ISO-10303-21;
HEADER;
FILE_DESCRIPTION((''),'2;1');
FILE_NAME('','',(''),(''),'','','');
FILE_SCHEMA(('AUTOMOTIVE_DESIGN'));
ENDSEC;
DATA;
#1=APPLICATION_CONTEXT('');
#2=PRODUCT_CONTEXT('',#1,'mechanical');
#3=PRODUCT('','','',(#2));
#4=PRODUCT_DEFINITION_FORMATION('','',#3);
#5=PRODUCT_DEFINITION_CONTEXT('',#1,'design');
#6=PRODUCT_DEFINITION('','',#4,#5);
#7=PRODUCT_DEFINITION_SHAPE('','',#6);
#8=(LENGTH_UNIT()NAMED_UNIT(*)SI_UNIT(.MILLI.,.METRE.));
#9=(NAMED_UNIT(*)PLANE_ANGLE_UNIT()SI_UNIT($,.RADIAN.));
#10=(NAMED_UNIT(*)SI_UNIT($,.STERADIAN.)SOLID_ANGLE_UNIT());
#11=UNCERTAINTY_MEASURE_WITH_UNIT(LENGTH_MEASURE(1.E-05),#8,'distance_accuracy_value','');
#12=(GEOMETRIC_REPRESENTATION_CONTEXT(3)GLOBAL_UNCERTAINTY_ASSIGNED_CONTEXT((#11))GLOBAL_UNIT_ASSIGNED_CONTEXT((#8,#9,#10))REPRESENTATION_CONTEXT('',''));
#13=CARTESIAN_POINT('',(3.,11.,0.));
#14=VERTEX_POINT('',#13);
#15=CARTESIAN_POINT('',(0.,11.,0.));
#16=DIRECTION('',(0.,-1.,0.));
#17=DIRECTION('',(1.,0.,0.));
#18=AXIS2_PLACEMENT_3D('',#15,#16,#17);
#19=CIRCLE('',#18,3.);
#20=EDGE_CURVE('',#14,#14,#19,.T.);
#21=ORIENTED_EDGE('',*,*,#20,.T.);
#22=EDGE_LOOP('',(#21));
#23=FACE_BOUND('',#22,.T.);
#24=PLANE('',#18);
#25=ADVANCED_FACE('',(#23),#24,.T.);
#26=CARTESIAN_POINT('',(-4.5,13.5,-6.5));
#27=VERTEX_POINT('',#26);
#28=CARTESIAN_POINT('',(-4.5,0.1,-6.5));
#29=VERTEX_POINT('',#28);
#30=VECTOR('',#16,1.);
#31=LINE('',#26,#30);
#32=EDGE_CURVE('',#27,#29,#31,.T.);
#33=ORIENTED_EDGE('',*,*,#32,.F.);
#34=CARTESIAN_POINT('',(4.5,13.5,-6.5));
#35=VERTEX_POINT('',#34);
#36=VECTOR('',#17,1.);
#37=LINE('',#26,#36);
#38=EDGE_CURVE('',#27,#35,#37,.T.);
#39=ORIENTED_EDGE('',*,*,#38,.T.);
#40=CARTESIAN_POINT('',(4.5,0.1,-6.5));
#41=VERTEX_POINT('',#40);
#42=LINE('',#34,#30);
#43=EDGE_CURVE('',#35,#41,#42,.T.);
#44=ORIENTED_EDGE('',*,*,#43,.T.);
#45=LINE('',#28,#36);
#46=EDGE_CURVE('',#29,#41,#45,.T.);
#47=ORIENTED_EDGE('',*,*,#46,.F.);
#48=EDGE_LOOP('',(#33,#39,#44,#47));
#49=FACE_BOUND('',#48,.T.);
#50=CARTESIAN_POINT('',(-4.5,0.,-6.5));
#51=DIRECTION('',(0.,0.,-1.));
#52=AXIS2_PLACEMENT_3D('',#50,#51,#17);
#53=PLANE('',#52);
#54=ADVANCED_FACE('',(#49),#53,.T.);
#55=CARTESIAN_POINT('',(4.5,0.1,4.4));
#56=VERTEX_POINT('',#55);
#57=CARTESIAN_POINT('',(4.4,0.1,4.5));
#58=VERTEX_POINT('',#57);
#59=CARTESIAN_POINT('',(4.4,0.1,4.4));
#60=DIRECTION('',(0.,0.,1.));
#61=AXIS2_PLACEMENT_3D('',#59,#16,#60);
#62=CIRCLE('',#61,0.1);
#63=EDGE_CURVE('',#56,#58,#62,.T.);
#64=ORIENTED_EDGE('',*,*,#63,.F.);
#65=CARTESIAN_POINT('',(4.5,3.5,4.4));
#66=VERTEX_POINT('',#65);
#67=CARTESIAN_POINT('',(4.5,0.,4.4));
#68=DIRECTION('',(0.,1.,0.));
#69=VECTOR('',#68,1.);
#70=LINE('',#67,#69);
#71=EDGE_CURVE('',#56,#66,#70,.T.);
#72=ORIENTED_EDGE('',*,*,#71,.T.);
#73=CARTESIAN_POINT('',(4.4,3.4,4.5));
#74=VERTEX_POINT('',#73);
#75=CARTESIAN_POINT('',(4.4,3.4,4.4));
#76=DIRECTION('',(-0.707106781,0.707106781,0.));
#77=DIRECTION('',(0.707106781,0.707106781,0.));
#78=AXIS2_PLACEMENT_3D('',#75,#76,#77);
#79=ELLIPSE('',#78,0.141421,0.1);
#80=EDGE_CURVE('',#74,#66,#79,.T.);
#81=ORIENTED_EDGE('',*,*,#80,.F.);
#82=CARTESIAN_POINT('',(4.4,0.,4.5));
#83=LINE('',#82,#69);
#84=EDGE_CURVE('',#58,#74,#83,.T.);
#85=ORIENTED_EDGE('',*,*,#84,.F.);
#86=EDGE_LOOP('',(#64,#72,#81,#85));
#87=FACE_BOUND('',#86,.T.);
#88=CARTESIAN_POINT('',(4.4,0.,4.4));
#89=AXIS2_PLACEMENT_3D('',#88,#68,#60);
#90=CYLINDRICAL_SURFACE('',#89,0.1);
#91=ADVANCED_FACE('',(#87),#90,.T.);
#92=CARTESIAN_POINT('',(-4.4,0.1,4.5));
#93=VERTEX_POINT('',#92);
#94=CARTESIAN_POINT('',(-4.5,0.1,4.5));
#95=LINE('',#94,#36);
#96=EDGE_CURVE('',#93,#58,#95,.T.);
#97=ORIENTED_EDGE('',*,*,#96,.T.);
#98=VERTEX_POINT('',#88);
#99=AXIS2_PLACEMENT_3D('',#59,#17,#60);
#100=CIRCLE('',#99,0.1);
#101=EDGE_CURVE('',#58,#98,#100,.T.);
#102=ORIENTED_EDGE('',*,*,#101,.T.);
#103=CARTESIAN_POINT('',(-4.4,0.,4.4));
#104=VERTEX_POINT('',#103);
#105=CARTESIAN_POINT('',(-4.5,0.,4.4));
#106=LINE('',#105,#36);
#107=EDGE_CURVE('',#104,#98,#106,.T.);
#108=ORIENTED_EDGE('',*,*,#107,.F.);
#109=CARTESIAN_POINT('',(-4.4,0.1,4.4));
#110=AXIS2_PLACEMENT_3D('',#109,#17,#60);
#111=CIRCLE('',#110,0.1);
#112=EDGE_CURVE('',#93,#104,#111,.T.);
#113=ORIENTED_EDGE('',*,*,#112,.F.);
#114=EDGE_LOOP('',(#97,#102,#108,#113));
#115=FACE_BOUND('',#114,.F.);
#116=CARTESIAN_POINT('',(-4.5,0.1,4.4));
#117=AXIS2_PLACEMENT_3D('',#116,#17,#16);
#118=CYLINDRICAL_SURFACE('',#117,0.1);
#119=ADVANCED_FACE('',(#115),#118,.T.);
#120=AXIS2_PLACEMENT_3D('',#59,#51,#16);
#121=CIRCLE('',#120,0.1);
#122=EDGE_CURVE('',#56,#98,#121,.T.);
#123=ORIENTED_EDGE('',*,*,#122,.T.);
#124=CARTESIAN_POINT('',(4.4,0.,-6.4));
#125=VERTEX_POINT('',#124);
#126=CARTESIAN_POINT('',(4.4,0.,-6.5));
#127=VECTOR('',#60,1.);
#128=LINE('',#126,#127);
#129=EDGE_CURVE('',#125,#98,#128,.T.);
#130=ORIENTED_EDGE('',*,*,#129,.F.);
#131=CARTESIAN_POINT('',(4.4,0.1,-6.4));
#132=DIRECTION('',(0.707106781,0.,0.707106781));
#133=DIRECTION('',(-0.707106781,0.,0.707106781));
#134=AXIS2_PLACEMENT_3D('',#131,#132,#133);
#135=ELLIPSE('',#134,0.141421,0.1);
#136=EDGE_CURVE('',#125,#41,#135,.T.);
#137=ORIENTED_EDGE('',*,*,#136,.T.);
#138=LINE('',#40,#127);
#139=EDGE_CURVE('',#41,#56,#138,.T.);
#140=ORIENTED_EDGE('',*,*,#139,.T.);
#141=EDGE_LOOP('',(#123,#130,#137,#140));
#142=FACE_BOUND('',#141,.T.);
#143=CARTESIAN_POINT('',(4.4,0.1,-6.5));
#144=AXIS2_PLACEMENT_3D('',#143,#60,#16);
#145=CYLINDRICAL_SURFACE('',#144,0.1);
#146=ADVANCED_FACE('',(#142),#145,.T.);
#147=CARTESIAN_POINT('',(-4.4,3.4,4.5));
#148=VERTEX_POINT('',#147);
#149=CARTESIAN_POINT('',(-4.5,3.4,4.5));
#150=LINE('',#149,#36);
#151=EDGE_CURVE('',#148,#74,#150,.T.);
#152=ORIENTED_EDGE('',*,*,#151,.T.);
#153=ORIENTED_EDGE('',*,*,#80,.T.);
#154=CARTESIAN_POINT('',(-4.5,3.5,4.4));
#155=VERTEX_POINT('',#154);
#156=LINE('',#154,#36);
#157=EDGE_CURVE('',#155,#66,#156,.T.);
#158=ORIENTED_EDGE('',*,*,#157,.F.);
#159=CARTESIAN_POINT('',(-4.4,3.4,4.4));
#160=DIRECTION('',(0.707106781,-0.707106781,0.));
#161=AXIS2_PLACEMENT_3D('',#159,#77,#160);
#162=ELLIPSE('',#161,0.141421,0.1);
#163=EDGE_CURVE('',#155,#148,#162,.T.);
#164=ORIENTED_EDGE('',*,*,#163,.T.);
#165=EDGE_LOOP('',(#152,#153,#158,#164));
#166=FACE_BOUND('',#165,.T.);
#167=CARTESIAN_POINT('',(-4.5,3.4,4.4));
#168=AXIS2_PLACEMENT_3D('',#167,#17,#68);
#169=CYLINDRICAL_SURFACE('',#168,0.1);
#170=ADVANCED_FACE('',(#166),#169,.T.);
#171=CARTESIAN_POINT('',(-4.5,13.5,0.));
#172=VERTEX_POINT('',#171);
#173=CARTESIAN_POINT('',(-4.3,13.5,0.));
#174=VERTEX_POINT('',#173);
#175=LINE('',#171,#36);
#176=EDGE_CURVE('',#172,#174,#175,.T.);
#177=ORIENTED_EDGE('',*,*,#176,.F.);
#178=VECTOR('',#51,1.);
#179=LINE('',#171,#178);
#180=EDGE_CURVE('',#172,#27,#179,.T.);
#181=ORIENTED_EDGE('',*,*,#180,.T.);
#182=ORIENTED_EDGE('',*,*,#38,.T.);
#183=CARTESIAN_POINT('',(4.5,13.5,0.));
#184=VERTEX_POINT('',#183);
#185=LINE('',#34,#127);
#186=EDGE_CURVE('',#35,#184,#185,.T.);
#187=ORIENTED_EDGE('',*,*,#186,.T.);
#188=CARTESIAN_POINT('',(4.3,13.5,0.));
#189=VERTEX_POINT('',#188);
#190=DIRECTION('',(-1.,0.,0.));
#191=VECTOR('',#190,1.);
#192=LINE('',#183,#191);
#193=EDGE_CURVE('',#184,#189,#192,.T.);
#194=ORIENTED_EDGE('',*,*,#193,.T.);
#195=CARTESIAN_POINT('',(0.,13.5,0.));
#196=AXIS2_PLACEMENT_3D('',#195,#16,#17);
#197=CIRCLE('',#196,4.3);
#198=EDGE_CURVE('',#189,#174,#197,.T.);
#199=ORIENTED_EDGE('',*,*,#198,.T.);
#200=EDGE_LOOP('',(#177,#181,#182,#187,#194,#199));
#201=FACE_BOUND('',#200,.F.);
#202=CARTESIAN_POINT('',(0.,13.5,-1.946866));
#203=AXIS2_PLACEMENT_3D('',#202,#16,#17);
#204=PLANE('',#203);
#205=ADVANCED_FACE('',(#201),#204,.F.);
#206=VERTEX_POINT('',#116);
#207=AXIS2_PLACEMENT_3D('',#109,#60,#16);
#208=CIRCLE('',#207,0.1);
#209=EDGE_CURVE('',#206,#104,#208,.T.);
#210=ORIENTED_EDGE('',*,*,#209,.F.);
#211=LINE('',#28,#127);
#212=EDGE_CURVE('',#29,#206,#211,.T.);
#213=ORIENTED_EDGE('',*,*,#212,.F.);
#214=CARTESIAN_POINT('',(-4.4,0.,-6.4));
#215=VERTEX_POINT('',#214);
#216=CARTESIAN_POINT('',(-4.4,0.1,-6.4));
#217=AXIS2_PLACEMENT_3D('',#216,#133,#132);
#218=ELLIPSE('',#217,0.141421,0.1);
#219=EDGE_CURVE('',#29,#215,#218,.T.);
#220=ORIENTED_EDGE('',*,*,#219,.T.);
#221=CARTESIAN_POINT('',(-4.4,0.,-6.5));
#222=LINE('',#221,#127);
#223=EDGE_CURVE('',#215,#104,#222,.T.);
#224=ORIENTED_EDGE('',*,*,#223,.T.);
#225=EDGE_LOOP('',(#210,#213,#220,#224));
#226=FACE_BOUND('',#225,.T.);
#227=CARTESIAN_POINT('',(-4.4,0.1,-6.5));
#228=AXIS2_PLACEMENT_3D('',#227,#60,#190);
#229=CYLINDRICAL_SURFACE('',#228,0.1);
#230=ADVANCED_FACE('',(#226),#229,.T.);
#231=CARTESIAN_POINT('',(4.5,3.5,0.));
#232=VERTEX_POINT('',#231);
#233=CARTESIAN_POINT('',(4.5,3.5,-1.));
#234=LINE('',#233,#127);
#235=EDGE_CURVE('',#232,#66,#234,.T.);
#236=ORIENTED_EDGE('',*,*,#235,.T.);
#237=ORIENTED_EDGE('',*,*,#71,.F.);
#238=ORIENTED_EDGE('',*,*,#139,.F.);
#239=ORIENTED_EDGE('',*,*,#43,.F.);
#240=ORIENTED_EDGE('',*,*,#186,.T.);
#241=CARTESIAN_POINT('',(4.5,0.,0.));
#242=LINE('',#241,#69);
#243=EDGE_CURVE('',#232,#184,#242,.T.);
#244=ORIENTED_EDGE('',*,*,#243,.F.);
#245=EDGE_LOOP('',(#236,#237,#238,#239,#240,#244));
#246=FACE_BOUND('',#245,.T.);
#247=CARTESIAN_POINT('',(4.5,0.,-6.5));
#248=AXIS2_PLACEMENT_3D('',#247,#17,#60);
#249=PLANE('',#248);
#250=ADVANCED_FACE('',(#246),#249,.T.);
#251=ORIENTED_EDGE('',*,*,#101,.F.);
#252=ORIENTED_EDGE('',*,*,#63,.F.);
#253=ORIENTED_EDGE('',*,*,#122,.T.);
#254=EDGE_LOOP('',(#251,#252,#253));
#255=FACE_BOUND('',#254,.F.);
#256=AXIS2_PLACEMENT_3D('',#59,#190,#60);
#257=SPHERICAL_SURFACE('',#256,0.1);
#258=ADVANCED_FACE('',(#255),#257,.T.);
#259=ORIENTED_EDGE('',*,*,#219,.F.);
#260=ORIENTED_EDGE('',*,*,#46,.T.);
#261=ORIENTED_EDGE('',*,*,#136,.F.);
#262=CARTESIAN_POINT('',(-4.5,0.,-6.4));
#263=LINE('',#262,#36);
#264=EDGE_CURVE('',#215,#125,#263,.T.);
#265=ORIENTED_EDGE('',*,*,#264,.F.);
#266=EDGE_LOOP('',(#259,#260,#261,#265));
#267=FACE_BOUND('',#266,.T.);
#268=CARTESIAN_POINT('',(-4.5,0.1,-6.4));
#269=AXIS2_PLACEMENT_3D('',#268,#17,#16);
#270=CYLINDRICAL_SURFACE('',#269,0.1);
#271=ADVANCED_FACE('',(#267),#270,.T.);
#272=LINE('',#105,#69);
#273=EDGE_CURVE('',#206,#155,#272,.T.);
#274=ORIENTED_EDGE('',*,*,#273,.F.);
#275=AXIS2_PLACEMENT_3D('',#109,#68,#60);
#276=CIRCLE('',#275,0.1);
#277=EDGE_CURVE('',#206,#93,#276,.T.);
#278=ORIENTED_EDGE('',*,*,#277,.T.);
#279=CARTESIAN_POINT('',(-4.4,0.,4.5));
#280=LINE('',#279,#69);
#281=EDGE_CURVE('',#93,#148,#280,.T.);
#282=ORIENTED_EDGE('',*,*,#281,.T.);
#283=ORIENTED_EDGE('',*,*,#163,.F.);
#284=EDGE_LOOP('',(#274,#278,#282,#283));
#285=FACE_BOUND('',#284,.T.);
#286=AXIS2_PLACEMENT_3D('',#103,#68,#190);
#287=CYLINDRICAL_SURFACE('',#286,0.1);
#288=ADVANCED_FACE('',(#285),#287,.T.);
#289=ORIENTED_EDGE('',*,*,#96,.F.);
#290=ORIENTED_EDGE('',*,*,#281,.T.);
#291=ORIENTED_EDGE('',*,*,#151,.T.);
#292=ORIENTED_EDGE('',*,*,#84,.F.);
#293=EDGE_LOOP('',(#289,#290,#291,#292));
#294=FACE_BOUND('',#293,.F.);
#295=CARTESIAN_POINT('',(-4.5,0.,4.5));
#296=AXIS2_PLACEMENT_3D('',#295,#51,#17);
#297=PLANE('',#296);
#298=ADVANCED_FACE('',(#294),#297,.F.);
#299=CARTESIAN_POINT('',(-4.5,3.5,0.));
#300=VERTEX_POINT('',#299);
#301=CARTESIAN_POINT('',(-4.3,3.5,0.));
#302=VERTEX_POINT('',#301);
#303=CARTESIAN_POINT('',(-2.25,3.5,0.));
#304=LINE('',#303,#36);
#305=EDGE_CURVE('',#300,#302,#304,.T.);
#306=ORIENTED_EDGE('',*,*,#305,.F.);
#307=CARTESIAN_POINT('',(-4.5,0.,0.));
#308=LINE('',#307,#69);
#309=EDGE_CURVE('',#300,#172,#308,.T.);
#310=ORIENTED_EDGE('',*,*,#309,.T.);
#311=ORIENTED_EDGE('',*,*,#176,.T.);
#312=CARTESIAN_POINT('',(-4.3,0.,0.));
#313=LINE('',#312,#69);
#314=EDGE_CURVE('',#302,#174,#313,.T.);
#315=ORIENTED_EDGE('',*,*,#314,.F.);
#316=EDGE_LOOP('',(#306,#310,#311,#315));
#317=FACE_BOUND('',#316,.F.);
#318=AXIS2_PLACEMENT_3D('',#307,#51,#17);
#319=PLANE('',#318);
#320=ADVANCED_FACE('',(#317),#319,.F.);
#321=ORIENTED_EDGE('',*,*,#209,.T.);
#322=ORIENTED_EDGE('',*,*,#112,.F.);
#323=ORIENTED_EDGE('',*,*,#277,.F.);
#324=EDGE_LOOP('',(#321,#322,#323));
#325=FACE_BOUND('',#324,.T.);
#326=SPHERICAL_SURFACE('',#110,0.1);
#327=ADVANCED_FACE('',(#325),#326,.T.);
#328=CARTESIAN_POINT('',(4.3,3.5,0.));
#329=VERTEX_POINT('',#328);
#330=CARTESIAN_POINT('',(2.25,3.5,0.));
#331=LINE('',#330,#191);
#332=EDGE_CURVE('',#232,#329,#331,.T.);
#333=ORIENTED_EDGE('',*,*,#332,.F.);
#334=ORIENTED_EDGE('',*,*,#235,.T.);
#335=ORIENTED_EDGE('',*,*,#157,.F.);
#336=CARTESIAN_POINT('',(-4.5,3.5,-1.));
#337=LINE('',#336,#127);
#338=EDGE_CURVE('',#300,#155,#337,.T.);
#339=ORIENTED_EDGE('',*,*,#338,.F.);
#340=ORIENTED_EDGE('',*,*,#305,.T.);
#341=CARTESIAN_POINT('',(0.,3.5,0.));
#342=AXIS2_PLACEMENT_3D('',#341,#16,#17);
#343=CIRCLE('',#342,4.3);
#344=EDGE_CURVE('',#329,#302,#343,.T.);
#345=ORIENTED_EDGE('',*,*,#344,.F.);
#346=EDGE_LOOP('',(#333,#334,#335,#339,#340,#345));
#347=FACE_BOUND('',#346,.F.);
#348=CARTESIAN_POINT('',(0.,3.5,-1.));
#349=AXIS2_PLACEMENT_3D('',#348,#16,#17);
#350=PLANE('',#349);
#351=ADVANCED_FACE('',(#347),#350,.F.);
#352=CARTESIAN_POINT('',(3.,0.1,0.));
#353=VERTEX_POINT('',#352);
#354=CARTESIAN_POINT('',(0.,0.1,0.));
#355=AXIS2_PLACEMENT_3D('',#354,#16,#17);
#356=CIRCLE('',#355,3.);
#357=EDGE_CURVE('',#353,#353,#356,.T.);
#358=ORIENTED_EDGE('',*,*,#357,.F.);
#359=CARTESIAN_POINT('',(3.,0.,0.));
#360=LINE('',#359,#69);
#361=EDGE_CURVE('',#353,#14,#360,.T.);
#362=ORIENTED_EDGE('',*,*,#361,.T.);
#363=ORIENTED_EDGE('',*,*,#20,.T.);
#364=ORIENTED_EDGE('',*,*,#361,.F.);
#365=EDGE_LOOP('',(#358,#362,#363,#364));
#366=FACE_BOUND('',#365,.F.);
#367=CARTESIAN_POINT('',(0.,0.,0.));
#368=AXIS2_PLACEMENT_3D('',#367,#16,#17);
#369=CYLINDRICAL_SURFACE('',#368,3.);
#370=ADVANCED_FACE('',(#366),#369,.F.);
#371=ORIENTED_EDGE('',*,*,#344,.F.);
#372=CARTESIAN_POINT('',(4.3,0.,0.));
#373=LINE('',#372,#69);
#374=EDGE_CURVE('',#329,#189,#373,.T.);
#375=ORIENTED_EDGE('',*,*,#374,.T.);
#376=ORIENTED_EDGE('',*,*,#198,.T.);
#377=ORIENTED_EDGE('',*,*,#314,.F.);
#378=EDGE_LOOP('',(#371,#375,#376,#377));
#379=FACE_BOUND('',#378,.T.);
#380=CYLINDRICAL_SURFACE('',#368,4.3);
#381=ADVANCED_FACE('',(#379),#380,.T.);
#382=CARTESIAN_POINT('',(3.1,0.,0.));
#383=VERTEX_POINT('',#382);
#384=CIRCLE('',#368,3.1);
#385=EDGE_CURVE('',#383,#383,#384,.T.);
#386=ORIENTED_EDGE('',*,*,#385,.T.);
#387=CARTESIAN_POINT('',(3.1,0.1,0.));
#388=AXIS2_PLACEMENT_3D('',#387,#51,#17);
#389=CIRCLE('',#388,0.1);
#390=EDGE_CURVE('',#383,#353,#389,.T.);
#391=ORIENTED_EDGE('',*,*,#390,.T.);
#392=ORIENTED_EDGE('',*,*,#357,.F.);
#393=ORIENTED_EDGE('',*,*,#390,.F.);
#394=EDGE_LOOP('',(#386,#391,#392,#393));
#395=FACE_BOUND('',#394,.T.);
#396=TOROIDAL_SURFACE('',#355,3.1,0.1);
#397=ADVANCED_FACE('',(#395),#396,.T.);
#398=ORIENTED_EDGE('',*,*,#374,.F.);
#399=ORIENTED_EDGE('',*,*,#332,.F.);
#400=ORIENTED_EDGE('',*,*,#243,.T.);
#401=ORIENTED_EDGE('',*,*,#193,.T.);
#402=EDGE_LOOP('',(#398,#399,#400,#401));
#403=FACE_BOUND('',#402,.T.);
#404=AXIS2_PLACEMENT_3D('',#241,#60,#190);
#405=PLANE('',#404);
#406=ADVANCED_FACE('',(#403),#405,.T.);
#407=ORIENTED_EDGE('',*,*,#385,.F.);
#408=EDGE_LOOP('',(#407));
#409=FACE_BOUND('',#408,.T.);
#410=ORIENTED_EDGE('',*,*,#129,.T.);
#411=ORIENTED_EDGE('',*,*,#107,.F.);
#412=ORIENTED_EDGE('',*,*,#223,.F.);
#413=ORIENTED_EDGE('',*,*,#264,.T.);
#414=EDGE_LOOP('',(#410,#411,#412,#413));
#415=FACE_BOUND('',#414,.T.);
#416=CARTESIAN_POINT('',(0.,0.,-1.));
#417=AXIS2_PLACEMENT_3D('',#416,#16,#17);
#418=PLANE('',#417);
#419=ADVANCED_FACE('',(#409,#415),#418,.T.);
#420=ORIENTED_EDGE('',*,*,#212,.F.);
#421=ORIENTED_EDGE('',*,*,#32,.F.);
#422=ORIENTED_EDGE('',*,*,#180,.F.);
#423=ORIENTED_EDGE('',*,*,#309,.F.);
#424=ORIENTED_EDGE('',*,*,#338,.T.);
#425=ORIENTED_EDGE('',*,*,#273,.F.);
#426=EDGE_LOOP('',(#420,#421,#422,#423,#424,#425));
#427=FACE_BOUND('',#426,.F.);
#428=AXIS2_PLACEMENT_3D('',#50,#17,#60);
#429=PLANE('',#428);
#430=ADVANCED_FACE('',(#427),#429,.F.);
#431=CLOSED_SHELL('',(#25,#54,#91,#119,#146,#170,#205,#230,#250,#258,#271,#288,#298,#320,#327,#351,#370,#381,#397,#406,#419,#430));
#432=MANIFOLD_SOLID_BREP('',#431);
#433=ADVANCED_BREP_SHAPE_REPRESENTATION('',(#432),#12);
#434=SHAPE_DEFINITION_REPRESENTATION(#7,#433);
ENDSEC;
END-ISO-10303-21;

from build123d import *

# Parameters (mm, degrees)
SKETCH_W     = 9
SKETCH_H     = 11
PAD_DEPTH    = 3.5
PAD001_DEPTH = 13.5
SKETCH002_R  = 3
POCKET_DEPTH = 11
FILLET_R     = 0.1


with BuildPart() as part:
    # Sketch → Pad (new body)
    with BuildSketch(Plane.XZ):
        with Locations((0, -1)):
            Rectangle(SKETCH_W, SKETCH_H)
    extrude(amount=-PAD_DEPTH)

    # Sketch001 (on Face5 of Pad) → Pad001 (join)
    with BuildSketch(Plane.XZ):
        with BuildLine():
            Line((-4.5, -6.5), (4.5, -6.5))
            Line((4.5, -6.5), (4.5, 0))
            Line((4.5, 0), (4.3, 0))
            ThreePointArc((4.3, 0), (0, 4.3), (-4.3, 0))
            Line((-4.5, 0), (-4.3, 0))
            Line((-4.5, 0), (-4.5, -6.5))
        make_face()
    extrude(amount=-PAD001_DEPTH)

    # Sketch002 (on Face8 of Pad001) → Pocket (cut)
    with BuildSketch(Plane.XZ):
        Circle(SKETCH002_R)
    extrude(amount=-POCKET_DEPTH, mode=Mode.SUBTRACT)

    # Fillet
    fillet_edges = [part.edges().sort_by_distance(p)[0] for p in [
        (0, 0, 4.5),
        (4.5, 1.75, 4.5),
        (0, 3.5, 4.5),
        (-4.5, 1.75, 4.5),
        (4.5, 0, 2.25),
        (-4.5, 0, 2.25),
        (0, 0, -6.5),
        (-3, 0, 0),
    ]]
    fillet(fillet_edges, radius=FILLET_R)


solid = part.part
